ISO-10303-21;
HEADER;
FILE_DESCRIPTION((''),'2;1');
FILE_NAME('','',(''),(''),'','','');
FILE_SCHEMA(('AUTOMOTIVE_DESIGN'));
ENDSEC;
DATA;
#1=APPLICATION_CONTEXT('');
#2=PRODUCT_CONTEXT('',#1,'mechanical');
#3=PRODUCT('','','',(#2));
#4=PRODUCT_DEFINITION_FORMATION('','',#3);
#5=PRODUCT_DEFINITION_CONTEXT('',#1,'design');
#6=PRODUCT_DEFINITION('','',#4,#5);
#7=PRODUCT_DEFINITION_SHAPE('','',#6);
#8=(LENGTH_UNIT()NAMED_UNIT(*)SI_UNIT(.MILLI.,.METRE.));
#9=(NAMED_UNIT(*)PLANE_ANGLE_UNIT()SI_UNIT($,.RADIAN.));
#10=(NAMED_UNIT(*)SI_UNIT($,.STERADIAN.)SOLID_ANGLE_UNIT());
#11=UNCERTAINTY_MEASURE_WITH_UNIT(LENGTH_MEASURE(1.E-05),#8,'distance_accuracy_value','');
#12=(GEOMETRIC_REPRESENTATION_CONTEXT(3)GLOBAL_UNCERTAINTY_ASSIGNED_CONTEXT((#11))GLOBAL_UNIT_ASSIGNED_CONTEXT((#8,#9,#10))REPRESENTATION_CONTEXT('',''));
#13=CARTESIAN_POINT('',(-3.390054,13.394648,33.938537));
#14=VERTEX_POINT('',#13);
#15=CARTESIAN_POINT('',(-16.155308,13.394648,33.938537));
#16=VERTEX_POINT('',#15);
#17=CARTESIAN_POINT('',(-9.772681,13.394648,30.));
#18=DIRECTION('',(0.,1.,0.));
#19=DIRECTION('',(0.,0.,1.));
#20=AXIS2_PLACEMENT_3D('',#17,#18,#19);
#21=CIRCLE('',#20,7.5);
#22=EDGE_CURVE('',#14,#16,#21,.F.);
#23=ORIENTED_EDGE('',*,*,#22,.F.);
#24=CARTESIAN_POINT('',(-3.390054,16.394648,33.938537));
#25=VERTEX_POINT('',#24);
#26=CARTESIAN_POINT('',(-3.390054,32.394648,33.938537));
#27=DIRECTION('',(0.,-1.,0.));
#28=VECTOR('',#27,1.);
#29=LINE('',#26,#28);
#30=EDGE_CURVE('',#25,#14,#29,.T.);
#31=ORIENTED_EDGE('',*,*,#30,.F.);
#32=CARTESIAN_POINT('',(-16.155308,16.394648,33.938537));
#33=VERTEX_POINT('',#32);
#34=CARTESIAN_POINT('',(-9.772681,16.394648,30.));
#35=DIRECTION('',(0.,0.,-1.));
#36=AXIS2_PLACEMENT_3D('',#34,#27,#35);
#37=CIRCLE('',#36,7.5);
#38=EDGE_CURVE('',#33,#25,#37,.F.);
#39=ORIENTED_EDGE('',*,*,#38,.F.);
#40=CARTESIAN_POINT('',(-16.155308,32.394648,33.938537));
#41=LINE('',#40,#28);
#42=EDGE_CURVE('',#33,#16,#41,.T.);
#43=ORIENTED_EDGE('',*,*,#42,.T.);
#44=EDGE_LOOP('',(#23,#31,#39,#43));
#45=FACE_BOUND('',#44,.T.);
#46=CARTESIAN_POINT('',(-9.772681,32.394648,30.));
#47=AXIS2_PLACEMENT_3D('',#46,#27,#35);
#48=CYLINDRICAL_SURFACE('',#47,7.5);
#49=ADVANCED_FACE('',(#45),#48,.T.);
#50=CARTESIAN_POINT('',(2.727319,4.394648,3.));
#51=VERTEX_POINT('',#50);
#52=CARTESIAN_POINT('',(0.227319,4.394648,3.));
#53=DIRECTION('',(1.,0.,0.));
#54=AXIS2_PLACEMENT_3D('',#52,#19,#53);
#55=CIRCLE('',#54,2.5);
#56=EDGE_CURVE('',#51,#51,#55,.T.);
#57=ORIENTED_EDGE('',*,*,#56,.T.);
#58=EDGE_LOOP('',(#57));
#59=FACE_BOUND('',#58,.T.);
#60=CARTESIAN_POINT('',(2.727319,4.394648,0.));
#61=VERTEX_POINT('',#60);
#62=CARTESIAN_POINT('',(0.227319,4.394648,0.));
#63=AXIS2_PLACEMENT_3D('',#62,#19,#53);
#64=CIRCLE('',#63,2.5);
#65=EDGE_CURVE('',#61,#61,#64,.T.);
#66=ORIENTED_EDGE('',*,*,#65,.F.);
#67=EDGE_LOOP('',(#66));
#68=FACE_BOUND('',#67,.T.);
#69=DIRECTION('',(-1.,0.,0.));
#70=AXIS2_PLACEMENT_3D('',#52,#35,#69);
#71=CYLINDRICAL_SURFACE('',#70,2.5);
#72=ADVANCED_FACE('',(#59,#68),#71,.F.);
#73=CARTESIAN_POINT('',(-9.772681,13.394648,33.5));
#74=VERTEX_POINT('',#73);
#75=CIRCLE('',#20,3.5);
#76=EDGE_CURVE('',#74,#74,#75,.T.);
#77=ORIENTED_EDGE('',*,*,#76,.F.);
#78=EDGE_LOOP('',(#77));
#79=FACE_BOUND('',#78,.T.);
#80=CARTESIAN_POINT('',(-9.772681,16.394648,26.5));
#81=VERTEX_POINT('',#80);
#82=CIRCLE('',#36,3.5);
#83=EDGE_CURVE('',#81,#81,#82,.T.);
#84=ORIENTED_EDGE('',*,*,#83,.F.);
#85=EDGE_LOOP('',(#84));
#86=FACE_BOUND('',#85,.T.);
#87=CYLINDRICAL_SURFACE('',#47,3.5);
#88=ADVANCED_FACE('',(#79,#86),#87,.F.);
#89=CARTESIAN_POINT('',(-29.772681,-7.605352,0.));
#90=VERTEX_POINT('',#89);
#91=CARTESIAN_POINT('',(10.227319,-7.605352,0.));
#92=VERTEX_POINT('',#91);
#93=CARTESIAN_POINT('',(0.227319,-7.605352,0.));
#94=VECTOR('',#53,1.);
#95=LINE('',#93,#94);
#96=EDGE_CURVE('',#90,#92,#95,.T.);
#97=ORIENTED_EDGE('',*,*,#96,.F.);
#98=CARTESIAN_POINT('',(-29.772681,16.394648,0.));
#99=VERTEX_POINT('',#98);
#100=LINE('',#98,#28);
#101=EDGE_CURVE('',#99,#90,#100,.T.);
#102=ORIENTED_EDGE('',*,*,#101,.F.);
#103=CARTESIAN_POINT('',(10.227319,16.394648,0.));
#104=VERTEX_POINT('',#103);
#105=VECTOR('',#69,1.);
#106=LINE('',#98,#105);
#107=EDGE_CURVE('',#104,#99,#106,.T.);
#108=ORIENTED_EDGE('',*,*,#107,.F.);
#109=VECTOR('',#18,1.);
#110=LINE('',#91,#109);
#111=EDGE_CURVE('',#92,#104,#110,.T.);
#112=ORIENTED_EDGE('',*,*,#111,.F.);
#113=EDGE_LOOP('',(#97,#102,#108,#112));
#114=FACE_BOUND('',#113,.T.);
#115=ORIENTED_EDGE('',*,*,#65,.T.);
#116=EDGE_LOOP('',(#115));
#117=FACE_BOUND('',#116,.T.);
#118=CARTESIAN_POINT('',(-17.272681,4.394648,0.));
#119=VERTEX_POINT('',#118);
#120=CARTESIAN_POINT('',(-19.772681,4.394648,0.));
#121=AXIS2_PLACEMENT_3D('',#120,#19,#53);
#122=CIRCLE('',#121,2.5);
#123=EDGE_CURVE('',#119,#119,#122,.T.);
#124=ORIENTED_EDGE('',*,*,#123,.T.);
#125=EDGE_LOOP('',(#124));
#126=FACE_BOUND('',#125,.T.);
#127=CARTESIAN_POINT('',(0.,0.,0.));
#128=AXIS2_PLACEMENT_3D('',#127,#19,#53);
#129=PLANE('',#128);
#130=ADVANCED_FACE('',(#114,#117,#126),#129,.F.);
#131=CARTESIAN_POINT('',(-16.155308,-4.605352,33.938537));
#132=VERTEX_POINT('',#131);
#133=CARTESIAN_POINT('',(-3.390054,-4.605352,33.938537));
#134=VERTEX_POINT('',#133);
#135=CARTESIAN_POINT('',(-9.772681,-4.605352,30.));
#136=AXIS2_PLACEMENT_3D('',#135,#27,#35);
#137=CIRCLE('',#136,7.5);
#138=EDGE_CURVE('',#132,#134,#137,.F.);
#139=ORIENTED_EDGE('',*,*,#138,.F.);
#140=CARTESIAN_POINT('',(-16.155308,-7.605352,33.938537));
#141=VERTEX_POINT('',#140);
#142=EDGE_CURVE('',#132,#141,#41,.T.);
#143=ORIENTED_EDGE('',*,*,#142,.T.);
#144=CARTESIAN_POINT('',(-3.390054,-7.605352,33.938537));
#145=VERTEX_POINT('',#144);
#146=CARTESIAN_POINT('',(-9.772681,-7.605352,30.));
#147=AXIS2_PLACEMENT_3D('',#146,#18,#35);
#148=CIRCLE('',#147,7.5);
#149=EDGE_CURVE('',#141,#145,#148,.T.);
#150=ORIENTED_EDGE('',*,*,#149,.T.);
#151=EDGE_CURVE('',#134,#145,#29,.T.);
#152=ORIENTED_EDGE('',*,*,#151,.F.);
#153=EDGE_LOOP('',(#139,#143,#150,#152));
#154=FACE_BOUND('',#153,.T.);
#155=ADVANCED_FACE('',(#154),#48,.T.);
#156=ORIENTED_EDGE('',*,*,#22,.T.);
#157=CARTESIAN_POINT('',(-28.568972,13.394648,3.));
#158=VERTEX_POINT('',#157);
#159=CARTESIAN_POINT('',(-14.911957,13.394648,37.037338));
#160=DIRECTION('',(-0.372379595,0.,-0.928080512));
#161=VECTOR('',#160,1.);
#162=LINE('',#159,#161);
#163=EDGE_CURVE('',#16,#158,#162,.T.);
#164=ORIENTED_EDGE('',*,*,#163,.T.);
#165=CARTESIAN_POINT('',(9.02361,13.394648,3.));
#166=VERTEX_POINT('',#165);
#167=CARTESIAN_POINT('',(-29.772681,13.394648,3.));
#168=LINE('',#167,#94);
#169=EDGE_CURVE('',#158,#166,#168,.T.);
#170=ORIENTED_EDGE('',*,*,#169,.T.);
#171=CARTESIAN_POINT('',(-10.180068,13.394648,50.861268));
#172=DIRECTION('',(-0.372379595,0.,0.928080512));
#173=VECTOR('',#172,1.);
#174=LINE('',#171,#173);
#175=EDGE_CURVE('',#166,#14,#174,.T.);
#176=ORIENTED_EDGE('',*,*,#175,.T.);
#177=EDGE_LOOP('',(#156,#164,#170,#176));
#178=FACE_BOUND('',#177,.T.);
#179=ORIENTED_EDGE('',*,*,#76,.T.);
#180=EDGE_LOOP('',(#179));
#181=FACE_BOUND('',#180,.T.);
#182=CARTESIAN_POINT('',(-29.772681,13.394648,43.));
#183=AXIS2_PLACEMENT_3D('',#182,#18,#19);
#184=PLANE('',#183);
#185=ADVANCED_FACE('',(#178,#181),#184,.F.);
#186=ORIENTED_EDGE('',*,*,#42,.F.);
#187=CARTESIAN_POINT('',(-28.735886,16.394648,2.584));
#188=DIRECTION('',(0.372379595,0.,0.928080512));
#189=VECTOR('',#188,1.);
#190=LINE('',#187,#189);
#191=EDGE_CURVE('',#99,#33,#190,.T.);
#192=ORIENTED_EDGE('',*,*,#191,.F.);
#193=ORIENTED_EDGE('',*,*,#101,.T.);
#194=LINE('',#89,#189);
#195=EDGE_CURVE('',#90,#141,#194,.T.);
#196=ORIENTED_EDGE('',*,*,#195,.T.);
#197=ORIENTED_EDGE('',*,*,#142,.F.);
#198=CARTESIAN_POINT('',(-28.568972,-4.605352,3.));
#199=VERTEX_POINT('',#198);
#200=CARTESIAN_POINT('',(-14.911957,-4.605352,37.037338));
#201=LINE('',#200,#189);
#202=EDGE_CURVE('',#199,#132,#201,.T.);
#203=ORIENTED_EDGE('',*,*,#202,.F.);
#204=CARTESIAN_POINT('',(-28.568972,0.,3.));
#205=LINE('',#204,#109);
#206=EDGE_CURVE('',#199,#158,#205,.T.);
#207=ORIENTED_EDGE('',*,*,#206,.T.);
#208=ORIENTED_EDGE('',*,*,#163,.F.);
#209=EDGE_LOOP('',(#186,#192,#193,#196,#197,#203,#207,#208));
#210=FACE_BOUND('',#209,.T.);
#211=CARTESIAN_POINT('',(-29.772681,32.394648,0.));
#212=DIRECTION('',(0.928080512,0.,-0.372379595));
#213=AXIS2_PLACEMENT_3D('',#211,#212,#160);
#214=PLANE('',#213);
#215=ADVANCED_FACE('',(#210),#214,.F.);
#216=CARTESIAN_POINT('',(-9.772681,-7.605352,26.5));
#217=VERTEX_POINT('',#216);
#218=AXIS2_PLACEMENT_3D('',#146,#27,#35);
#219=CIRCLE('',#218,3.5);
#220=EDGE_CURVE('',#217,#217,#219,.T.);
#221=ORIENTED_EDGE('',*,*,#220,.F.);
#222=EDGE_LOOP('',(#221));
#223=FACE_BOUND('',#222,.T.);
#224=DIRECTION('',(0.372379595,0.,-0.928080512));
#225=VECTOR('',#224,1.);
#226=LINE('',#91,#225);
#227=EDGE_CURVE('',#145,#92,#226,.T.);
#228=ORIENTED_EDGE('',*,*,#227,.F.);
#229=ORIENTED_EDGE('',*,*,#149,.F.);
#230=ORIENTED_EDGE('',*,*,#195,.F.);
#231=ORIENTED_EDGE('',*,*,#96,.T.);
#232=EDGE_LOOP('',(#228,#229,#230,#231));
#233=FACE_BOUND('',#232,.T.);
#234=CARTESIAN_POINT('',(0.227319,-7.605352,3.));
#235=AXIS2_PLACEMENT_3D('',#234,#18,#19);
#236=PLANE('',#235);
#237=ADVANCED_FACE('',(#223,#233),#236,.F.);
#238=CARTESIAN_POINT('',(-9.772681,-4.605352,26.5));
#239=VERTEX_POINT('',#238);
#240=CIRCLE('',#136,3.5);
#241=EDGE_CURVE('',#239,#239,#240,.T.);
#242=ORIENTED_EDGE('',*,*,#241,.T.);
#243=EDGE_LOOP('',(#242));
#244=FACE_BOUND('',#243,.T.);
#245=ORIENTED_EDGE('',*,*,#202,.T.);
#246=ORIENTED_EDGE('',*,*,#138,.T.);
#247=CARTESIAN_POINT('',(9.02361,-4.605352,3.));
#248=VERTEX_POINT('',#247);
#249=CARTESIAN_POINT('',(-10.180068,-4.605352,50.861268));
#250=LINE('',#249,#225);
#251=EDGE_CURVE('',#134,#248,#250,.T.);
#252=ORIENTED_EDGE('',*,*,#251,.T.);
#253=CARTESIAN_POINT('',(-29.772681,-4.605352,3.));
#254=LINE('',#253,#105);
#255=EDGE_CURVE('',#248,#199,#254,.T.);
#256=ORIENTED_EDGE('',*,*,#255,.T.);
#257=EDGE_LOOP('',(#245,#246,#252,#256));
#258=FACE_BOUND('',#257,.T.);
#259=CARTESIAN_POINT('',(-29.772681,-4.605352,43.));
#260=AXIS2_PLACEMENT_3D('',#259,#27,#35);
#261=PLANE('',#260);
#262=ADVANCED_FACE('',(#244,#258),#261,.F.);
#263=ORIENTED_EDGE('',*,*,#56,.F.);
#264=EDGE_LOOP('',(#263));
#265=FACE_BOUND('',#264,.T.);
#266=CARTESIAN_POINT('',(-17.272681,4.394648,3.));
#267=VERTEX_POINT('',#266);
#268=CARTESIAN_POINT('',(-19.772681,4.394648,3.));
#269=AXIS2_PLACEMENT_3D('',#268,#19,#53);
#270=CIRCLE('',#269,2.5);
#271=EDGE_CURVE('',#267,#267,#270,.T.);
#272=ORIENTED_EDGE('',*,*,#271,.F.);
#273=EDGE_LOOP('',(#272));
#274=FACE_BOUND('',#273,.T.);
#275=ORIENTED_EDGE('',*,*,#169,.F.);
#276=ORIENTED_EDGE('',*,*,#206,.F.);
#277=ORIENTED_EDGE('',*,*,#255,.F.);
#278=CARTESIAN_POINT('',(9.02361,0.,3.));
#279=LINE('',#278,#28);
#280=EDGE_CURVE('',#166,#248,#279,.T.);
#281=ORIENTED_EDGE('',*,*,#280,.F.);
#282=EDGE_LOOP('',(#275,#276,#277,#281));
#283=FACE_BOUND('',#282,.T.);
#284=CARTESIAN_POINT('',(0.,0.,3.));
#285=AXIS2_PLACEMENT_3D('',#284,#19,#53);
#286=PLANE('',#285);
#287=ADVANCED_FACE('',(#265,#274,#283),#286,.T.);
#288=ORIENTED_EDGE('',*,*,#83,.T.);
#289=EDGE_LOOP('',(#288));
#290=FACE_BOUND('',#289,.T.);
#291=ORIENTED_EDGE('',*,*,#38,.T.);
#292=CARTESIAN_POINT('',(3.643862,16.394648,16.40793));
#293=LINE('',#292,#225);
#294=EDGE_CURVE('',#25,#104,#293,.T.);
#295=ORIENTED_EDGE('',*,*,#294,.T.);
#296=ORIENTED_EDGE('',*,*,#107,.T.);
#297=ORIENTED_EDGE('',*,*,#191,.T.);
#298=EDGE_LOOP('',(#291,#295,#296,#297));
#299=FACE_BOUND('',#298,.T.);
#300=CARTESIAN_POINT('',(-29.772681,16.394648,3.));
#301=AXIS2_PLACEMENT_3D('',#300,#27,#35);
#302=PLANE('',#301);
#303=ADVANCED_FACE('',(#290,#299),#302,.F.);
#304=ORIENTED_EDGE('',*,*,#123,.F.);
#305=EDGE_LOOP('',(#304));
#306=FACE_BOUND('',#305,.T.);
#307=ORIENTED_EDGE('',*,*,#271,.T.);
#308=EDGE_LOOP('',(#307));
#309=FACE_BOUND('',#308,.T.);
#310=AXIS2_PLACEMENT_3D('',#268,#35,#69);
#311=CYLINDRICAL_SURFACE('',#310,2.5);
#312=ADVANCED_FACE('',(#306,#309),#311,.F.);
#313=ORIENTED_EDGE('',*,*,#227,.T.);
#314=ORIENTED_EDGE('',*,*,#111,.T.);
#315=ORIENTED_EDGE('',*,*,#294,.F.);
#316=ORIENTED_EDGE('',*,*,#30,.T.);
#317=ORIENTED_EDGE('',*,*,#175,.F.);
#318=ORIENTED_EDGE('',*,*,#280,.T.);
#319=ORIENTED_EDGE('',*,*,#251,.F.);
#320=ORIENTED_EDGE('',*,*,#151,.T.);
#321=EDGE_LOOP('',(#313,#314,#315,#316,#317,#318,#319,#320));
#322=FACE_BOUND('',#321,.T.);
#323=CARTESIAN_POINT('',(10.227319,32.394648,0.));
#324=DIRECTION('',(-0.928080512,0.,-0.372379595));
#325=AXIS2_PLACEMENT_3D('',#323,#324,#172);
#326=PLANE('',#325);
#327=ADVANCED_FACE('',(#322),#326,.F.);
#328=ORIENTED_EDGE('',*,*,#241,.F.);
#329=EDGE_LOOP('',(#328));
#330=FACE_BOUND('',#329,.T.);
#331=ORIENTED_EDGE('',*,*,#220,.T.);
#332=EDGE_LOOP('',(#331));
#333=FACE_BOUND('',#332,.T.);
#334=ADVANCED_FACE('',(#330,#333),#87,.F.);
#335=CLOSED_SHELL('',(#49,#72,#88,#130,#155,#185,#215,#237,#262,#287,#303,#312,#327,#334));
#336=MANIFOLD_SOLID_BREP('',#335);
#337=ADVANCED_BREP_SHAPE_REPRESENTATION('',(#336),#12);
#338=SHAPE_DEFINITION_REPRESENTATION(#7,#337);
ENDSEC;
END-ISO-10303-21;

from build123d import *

# Parameters (mm, degrees)
SKETCH_1_R          = 2.5
EXTRUDE_1_DEPTH     = 3
SKETCH_2_W          = 40
SKETCH_2_H          = 3
EXTRUDE_2_DEPTH     = 40
SKETCH_3_R          = 3.5
CUT_EXTRUDE_1_DEPTH = 40


with BuildPart() as part:
    # 草图1 → 凸台-拉伸1 (new body)
    with BuildSketch(Plane.XY):
        Polygon((-29.772681171, 16.394648222), (-29.772681171, -7.605351778), (0.227318829, -7.605351778), (10.227318829, -7.605351778), (10.227318829, 16.394648222), align=None)
        with Locations((-19.772681171, 4.394648222)):
            Circle(SKETCH_1_R, mode=Mode.SUBTRACT)
        with Locations((0.227318829, 4.394648222)):
            Circle(SKETCH_1_R, mode=Mode.SUBTRACT)
    extrude(amount=EXTRUDE_1_DEPTH)

    # 草图2 → 凸台-拉伸2 (add)
    with BuildSketch(Plane.XY.offset(3)):
        with Locations((-9.772681171, -6.105351778)):
            Rectangle(SKETCH_2_W, SKETCH_2_H)
        with Locations((-9.772681171, 14.894648222)):
            Rectangle(SKETCH_2_W, SKETCH_2_H)
    extrude(amount=EXTRUDE_2_DEPTH)

    # 草图3 → 切除-拉伸1 (cut)
    with BuildSketch(Plane.XZ.offset(7.605351778)):
        with Locations((-9.772681171, 30)):
            Circle(SKETCH_3_R)
        with BuildLine():
            Line((-29.772681171, 0), (-66.242845542, 33.938537382))
            Line((-66.242845542, 33.938537382), (4.749976108, 60.991202945))
            Line((4.749976108, 60.991202945), (36.387923144, 40.281675758))
            Line((36.387923144, 40.281675758), (10.227318829, 0))
            Line((10.227318829, 0), (-3.390054495, 33.938537382))
            ThreePointArc((-3.390054495, 33.938537382), (-9.772681171, 37.5), (-16.155307848, 33.938537382))
            Line((-16.155307848, 33.938537382), (-29.772681171, 0))
        make_face()
    extrude(amount=-CUT_EXTRUDE_1_DEPTH, mode=Mode.SUBTRACT)


solid = part.part
